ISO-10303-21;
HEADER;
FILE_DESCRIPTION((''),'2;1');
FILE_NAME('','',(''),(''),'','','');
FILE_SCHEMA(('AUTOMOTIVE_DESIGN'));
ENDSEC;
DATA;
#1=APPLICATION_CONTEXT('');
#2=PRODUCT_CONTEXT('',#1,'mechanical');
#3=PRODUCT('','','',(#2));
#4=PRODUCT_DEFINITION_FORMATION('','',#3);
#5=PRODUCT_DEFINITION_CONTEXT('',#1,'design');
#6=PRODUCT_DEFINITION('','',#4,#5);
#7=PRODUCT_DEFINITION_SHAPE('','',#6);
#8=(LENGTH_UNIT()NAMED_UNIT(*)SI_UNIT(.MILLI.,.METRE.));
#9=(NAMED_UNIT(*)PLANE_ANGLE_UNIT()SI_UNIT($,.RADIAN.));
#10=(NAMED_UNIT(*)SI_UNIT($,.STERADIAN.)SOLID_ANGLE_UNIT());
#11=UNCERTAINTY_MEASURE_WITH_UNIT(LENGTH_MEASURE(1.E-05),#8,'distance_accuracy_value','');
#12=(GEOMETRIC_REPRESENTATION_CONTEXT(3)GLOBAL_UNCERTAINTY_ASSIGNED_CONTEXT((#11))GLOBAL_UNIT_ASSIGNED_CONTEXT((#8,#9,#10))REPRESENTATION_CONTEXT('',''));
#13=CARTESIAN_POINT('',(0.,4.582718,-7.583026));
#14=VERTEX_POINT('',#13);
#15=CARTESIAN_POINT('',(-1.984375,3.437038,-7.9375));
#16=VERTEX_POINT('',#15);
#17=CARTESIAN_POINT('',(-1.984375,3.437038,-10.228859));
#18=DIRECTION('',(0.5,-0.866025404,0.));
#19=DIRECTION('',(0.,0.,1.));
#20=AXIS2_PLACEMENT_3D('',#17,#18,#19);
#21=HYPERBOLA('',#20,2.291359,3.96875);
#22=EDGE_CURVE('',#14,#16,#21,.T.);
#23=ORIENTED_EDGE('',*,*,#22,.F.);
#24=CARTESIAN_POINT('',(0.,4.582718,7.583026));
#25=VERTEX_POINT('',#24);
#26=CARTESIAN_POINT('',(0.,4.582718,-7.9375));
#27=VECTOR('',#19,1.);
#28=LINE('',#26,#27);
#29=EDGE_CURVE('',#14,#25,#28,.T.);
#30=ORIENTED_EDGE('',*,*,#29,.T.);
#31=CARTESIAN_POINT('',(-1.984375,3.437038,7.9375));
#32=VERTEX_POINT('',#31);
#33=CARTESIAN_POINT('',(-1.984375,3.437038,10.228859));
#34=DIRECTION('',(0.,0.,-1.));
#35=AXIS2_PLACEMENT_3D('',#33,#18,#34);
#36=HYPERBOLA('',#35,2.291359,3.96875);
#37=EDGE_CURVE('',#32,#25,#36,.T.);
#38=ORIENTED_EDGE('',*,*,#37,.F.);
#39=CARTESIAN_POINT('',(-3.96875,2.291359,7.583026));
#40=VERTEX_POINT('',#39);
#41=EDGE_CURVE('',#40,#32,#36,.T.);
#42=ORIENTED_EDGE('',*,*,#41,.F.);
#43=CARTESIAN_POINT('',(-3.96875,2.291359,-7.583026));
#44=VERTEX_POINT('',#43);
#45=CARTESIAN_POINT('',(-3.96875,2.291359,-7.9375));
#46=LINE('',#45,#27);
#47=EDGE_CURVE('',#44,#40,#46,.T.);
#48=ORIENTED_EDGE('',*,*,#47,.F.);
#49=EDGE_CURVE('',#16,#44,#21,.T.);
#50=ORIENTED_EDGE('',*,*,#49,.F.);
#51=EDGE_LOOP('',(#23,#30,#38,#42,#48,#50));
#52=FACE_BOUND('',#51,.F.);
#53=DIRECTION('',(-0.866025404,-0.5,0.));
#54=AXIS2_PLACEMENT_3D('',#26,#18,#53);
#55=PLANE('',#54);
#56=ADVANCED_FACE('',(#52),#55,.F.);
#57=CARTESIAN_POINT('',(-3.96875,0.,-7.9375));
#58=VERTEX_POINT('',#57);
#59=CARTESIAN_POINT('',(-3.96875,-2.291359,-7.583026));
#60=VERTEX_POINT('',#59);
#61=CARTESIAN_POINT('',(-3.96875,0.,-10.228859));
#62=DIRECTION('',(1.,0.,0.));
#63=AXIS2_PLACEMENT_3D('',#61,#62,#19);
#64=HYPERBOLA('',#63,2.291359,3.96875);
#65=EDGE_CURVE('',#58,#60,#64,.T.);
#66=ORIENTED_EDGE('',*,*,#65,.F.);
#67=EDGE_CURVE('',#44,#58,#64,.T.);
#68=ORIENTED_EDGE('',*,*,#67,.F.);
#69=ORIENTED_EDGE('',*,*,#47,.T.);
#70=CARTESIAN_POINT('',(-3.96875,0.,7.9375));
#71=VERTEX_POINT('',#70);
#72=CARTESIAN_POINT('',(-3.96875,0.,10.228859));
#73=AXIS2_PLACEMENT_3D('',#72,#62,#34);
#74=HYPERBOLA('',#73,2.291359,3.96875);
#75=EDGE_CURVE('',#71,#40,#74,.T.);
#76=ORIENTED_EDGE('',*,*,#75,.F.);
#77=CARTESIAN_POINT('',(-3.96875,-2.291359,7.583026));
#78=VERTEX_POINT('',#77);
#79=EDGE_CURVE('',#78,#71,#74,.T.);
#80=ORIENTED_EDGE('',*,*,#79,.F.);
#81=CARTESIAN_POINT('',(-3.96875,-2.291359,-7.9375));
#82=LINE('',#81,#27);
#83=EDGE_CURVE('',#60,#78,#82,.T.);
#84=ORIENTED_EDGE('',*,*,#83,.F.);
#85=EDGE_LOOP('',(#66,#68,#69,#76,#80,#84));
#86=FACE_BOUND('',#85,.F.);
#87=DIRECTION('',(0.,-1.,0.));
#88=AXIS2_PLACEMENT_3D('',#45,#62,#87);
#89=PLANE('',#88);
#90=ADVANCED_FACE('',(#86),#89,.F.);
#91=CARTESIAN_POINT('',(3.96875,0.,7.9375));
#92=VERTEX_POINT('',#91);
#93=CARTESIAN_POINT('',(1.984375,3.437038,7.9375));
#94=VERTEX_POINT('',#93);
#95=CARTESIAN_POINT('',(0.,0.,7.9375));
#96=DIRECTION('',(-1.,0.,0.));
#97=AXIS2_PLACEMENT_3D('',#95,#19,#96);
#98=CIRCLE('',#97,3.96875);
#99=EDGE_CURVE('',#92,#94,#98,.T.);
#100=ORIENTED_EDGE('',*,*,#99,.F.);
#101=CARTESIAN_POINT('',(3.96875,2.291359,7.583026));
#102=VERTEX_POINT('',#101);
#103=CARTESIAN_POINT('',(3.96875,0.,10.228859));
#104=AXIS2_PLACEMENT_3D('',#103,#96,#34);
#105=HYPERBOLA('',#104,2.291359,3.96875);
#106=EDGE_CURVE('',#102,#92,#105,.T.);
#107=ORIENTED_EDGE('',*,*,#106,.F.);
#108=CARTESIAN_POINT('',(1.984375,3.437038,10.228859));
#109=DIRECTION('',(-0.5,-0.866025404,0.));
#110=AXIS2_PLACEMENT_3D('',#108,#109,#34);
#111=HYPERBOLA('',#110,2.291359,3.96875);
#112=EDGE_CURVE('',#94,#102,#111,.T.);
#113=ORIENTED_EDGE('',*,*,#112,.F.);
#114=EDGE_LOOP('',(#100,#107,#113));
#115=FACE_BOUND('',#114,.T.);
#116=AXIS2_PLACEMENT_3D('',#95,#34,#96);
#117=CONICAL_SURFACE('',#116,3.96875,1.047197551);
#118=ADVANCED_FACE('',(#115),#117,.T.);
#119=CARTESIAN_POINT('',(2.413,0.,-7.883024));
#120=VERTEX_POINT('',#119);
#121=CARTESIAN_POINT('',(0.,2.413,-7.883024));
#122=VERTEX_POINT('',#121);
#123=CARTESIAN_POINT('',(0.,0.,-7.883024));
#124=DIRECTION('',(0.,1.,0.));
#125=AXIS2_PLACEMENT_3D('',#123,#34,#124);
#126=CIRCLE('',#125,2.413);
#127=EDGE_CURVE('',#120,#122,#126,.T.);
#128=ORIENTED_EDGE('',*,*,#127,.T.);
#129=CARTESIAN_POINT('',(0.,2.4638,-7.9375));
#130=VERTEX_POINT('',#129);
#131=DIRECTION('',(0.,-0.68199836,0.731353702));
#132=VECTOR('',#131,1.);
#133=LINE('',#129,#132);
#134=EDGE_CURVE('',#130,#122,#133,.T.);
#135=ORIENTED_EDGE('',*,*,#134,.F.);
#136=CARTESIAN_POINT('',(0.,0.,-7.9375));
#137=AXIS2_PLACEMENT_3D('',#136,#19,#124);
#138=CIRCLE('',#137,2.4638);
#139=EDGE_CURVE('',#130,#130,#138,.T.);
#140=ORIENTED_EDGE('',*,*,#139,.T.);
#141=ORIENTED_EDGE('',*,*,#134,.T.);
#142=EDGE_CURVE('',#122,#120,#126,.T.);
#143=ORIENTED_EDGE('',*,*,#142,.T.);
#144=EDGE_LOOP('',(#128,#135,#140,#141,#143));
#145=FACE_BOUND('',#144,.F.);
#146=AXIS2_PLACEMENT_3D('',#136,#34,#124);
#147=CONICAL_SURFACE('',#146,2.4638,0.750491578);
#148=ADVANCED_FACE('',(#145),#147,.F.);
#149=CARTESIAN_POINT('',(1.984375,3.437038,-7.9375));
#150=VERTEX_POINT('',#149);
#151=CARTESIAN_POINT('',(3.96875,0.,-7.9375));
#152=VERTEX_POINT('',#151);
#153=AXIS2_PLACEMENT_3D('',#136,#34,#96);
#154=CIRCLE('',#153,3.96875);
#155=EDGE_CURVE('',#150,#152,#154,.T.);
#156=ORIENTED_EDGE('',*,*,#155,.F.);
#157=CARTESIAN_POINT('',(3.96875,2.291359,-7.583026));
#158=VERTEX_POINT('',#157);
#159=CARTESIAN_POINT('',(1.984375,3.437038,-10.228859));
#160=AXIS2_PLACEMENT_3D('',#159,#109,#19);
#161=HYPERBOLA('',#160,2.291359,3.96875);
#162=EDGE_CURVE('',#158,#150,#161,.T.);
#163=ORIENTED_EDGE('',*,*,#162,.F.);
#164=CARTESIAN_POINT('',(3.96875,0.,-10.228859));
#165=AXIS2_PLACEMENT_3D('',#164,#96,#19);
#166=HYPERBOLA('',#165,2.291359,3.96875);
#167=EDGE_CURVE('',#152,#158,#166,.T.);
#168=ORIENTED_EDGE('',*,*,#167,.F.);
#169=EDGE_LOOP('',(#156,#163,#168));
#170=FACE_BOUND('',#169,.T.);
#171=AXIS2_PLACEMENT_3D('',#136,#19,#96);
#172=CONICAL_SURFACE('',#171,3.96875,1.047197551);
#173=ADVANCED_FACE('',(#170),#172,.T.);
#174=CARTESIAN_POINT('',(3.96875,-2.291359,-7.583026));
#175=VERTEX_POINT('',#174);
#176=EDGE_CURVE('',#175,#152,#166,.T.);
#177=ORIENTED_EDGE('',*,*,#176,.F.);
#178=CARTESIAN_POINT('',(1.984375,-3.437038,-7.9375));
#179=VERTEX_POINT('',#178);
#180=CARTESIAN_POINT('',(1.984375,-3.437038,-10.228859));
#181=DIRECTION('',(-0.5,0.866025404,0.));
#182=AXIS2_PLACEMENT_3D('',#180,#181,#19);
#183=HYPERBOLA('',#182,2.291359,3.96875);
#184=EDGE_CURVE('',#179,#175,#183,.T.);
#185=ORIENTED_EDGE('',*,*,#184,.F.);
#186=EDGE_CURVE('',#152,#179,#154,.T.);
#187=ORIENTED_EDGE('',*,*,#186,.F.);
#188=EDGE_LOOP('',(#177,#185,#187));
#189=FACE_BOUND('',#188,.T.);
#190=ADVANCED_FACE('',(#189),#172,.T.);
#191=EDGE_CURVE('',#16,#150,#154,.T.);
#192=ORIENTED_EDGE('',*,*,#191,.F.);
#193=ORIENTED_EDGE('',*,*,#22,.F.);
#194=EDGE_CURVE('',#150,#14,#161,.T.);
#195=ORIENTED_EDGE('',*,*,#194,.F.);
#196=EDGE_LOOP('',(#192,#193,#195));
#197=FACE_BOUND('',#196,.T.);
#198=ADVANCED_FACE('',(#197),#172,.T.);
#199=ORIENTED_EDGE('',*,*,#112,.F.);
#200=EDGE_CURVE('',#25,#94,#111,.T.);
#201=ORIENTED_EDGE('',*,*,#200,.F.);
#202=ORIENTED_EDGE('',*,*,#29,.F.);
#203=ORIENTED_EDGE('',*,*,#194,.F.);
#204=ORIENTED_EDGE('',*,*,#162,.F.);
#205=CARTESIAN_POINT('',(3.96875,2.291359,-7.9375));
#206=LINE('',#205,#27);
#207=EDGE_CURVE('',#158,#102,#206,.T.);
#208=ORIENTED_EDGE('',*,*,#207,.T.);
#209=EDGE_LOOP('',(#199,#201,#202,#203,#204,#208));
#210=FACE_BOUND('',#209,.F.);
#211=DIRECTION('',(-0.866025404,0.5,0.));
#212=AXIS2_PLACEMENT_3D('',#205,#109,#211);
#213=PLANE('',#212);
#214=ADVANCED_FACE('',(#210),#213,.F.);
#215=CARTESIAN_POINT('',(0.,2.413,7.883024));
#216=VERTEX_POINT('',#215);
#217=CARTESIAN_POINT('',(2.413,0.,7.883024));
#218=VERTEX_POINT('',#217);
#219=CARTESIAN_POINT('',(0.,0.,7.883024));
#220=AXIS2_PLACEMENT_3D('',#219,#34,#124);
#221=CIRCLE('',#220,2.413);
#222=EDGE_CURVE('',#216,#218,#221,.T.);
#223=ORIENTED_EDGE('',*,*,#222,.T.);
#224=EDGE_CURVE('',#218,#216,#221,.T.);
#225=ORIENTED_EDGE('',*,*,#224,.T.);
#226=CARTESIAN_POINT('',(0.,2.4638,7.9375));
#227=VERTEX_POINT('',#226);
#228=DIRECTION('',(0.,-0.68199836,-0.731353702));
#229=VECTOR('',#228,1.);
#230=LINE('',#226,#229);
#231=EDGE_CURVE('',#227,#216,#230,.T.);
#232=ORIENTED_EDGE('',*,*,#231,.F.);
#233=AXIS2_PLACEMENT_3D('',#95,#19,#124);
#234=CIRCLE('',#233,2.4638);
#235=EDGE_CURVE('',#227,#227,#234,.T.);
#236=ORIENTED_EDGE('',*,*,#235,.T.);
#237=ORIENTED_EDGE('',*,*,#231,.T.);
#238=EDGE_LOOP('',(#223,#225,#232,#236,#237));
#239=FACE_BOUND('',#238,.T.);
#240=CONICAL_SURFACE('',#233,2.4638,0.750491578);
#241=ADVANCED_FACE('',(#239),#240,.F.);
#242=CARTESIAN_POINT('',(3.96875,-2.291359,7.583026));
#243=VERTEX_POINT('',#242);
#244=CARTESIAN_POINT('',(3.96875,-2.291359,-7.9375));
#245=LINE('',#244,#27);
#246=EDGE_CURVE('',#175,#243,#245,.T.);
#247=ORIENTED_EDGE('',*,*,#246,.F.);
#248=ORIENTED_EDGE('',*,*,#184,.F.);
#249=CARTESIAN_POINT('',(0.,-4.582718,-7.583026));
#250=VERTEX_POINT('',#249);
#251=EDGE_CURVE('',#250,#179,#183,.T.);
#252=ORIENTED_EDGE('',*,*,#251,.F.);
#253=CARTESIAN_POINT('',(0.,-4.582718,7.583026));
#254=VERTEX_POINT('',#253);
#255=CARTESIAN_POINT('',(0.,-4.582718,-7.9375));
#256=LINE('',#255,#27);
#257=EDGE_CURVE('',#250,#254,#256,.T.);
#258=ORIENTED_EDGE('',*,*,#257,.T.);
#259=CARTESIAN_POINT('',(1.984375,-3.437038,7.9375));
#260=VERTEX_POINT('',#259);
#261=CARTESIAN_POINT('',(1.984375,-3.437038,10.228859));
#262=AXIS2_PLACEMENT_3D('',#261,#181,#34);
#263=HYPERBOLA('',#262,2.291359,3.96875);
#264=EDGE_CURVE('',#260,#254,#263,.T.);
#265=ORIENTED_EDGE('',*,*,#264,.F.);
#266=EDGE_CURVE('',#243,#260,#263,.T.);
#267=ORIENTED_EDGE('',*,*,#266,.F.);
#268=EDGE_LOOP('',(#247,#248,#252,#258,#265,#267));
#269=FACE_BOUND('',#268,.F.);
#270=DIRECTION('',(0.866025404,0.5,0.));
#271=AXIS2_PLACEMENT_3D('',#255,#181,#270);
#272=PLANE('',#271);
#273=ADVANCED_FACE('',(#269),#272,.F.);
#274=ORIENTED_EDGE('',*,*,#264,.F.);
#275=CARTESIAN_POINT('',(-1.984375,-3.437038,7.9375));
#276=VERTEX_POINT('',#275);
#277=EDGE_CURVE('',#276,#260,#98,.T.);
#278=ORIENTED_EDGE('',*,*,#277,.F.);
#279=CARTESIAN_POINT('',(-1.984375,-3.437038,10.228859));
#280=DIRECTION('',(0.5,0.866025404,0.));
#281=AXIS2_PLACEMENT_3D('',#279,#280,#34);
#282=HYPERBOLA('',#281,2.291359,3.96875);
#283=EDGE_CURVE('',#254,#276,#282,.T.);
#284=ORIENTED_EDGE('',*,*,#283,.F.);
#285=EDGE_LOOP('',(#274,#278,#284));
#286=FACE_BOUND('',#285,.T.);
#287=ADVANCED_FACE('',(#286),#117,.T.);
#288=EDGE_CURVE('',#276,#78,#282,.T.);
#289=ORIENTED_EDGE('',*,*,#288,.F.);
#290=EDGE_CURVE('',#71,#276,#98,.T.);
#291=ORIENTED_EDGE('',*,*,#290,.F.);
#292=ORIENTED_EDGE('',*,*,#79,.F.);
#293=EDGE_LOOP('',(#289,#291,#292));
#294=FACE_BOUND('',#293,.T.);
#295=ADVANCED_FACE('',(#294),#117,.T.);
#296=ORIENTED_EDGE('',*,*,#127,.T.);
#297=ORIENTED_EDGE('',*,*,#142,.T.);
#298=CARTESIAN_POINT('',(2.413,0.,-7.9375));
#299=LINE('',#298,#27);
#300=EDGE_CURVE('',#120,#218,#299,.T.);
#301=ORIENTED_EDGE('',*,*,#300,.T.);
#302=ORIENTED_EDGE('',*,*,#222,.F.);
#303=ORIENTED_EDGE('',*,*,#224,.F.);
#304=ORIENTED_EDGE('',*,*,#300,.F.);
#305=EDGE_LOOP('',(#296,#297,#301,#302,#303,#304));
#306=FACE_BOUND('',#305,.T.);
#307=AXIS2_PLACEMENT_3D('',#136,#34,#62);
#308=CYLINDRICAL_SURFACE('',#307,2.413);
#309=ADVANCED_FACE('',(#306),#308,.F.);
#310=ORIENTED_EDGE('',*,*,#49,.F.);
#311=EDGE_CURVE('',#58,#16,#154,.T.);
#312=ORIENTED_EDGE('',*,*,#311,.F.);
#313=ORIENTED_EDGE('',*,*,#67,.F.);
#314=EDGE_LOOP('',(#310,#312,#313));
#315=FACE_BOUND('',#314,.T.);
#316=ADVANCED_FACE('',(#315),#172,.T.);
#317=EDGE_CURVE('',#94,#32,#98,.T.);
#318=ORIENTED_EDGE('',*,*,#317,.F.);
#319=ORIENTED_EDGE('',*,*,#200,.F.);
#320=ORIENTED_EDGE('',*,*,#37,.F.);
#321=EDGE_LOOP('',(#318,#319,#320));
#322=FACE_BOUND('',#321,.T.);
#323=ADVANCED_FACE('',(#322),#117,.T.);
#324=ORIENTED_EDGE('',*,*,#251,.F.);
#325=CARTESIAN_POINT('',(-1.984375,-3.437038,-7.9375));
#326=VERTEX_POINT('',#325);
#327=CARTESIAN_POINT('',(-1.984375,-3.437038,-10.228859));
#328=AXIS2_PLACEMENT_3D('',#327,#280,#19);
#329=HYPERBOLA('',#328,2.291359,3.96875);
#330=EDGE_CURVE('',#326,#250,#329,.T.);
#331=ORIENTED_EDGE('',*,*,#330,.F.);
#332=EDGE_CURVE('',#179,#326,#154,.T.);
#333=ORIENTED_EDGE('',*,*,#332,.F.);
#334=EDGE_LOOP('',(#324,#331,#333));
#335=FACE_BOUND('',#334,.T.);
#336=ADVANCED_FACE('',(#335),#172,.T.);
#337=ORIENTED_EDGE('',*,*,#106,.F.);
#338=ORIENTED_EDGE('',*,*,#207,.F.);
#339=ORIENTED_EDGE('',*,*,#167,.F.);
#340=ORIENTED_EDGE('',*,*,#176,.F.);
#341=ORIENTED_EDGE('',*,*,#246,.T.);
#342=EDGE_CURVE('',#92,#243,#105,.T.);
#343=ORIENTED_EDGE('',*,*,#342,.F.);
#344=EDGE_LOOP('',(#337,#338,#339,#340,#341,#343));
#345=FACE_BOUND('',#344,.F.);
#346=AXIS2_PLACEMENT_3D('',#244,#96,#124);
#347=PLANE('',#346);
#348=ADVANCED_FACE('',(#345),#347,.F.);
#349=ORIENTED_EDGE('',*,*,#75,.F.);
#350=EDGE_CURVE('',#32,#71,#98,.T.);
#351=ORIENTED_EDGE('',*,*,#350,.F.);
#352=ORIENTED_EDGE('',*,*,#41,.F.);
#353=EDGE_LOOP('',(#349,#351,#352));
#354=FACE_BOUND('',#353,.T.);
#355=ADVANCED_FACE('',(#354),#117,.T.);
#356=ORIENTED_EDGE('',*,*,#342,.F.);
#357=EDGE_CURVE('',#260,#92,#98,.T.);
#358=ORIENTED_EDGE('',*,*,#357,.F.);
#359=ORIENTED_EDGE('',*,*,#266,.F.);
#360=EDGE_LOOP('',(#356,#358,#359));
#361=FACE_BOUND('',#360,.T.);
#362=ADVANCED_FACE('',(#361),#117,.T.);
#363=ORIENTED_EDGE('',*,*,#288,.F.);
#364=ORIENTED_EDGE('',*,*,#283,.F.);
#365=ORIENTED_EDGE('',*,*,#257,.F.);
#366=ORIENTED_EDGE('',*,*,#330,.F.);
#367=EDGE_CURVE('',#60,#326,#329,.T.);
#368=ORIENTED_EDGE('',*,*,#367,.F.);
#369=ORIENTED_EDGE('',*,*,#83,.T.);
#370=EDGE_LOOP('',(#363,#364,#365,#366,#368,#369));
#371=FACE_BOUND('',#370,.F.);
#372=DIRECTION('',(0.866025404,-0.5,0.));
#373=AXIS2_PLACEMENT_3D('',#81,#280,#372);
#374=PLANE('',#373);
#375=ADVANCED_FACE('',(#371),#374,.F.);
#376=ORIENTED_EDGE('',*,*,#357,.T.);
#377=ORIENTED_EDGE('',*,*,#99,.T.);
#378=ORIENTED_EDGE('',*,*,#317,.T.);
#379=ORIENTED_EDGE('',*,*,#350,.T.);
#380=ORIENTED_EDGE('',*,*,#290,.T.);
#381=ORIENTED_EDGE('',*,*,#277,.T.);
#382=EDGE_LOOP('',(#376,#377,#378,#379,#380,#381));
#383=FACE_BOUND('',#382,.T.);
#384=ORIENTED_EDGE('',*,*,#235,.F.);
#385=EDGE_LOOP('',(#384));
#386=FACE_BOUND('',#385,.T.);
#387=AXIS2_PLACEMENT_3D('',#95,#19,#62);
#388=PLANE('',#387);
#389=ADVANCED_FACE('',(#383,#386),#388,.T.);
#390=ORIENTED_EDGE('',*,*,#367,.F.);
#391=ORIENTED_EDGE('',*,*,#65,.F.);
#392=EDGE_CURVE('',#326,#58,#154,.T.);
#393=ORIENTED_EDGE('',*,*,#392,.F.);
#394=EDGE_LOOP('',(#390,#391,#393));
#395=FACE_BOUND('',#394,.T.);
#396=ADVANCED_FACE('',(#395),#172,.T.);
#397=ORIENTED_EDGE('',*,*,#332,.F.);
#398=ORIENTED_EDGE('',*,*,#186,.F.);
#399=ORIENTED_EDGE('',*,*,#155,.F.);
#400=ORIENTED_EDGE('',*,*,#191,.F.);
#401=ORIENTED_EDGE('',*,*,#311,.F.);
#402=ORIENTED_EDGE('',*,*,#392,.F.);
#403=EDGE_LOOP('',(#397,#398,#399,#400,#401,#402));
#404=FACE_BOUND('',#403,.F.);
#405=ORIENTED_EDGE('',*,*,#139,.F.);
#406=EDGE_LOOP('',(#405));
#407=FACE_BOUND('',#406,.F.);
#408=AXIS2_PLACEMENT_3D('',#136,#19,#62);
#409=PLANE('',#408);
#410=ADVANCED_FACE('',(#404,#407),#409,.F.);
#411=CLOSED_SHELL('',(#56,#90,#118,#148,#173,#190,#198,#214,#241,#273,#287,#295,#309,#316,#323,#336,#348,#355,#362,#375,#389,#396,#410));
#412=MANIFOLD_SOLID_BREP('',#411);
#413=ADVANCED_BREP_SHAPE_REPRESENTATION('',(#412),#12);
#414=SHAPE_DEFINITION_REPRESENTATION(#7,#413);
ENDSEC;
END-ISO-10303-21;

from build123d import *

# Parameters (mm, degrees)
EXTRUDE1_DEPTH          = 7.9375
EXTRUDE1_DEPTH_BACK     = 7.9375
SKETCH1_R               = 2.413
SKETCH8_OUTSIDE_W       = 76.264
SKETCH8_OUTSIDE_H       = 77.492
SKETCH8_OUTSIDE_R       = 3.96875
EXTRUDE4_DEPTH          = 17.993172266
EXTRUDE4_DRAFT          = -60
MIRROR1_COPY_1_SKETCH_W = 76.264
MIRROR1_COPY_1_SKETCH_H = 77.492
MIRROR1_COPY_1_SKETCH_R = 3.96875
MIRROR1_COPY_1_DEPTH    = 17.993172266
MIRROR1_COPY_1_DRAFT    = -60


with BuildPart() as part:
    # Sketch1 → Extrude1 (new, two sides: drawn at the far end of the back side and taken through both)
    with BuildSketch(Plane.XY.offset(-EXTRUDE1_DEPTH_BACK)):
        Polygon((0, 4.582717762), (-3.96875, 2.291358881), (-3.96875, -2.291358881), (0, -4.582717762), (3.96875, -2.291358881), (3.96875, 2.291358881), align=None)
        Circle(SKETCH1_R, mode=Mode.SUBTRACT)
    extrude(amount=EXTRUDE1_DEPTH + EXTRUDE1_DEPTH_BACK)

    # Extrude3 cone 1 section (through the dimple's axis) → Extrude3 (revolve, cut)
    with BuildSketch(Plane(origin=(0, 0, -7.9375), x_dir=(0, 1, 0), z_dir=(1, 0, 0))):
        Polygon((0, 0), (2.4638, 0), (0, 2.642102028), align=None)
    extrude3 = revolve(axis=Axis((0, 0, -7.9375), (0, 0, 1)), mode=Mode.SUBTRACT)


with BuildPart() as extrude4_tool:
    # Sketch8 outside → Extrude4 (with draft: the straight prism first)
    with BuildSketch(Plane(origin=(0, 0, -7.9375), x_dir=(-1, 0, 0), z_dir=(0, 0, -1))):
        Rectangle(SKETCH8_OUTSIDE_W, SKETCH8_OUTSIDE_H)
        Circle(SKETCH8_OUTSIDE_R, mode=Mode.SUBTRACT)
    extrude(amount=-EXTRUDE4_DEPTH)
    # Extrude4: the draft: its side faces are tilted about the plane it starts from
    extrude4_sides = [extrude4_tool.faces().sort_by_distance(p)[0] for p in [
        (0, -38.746, 1.059086133),
        (-38.132, 0, 1.059086133),
        (0, 38.746, 1.059086133),
        (38.132, 0, 1.059086133),
        (3.96875, 0, 1.059086133),
    ]]
    draft(extrude4_sides, Plane(origin=(0, 0, -7.9375), x_dir=(-1, 0, 0), z_dir=(0, 0, -1)), EXTRUDE4_DRAFT)


with BuildPart() as part_1:
    add(part.part)

    # Extrude4: cut by extrude4_tool
    add(extrude4_tool.part, mode=Mode.SUBTRACT)

    # Mirror1: Extrude3 across plane
    add(extrude3.mirror(Plane.XY), mode=Mode.SUBTRACT)


with BuildPart() as mirror1_copy_1_tool:
    # Mirror1 copy 1 sketch → Mirror1 copy 1 (with draft: the straight prism first)
    with BuildSketch(Plane(origin=(0, 0, 7.9375), x_dir=(-1, 0, 0), z_dir=(0, 0, 1))):
        Rectangle(MIRROR1_COPY_1_SKETCH_W, MIRROR1_COPY_1_SKETCH_H)
        Circle(MIRROR1_COPY_1_SKETCH_R, mode=Mode.SUBTRACT)
    extrude(amount=-MIRROR1_COPY_1_DEPTH)
    # Mirror1 copy 1: the draft: its side faces are tilted about the plane it starts from
    mirror1_copy_1_sides = [mirror1_copy_1_tool.faces().sort_by_distance(p)[0] for p in [
        (0, -38.746, -1.059086133),
        (-38.132, 0, -1.059086133),
        (0, 38.746, -1.059086133),
        (38.132, 0, -1.059086133),
        (3.96875, 0, -1.059086133),
    ]]
    draft(mirror1_copy_1_sides, Plane(origin=(0, 0, 7.9375), x_dir=(-1, 0, 0), z_dir=(0, 0, 1)), MIRROR1_COPY_1_DRAFT)


with BuildPart() as part_2:
    add(part_1.part)

    # Mirror1 copy 1: cut by mirror1_copy_1_tool
    add(mirror1_copy_1_tool.part, mode=Mode.SUBTRACT)


solid = part_2.part
